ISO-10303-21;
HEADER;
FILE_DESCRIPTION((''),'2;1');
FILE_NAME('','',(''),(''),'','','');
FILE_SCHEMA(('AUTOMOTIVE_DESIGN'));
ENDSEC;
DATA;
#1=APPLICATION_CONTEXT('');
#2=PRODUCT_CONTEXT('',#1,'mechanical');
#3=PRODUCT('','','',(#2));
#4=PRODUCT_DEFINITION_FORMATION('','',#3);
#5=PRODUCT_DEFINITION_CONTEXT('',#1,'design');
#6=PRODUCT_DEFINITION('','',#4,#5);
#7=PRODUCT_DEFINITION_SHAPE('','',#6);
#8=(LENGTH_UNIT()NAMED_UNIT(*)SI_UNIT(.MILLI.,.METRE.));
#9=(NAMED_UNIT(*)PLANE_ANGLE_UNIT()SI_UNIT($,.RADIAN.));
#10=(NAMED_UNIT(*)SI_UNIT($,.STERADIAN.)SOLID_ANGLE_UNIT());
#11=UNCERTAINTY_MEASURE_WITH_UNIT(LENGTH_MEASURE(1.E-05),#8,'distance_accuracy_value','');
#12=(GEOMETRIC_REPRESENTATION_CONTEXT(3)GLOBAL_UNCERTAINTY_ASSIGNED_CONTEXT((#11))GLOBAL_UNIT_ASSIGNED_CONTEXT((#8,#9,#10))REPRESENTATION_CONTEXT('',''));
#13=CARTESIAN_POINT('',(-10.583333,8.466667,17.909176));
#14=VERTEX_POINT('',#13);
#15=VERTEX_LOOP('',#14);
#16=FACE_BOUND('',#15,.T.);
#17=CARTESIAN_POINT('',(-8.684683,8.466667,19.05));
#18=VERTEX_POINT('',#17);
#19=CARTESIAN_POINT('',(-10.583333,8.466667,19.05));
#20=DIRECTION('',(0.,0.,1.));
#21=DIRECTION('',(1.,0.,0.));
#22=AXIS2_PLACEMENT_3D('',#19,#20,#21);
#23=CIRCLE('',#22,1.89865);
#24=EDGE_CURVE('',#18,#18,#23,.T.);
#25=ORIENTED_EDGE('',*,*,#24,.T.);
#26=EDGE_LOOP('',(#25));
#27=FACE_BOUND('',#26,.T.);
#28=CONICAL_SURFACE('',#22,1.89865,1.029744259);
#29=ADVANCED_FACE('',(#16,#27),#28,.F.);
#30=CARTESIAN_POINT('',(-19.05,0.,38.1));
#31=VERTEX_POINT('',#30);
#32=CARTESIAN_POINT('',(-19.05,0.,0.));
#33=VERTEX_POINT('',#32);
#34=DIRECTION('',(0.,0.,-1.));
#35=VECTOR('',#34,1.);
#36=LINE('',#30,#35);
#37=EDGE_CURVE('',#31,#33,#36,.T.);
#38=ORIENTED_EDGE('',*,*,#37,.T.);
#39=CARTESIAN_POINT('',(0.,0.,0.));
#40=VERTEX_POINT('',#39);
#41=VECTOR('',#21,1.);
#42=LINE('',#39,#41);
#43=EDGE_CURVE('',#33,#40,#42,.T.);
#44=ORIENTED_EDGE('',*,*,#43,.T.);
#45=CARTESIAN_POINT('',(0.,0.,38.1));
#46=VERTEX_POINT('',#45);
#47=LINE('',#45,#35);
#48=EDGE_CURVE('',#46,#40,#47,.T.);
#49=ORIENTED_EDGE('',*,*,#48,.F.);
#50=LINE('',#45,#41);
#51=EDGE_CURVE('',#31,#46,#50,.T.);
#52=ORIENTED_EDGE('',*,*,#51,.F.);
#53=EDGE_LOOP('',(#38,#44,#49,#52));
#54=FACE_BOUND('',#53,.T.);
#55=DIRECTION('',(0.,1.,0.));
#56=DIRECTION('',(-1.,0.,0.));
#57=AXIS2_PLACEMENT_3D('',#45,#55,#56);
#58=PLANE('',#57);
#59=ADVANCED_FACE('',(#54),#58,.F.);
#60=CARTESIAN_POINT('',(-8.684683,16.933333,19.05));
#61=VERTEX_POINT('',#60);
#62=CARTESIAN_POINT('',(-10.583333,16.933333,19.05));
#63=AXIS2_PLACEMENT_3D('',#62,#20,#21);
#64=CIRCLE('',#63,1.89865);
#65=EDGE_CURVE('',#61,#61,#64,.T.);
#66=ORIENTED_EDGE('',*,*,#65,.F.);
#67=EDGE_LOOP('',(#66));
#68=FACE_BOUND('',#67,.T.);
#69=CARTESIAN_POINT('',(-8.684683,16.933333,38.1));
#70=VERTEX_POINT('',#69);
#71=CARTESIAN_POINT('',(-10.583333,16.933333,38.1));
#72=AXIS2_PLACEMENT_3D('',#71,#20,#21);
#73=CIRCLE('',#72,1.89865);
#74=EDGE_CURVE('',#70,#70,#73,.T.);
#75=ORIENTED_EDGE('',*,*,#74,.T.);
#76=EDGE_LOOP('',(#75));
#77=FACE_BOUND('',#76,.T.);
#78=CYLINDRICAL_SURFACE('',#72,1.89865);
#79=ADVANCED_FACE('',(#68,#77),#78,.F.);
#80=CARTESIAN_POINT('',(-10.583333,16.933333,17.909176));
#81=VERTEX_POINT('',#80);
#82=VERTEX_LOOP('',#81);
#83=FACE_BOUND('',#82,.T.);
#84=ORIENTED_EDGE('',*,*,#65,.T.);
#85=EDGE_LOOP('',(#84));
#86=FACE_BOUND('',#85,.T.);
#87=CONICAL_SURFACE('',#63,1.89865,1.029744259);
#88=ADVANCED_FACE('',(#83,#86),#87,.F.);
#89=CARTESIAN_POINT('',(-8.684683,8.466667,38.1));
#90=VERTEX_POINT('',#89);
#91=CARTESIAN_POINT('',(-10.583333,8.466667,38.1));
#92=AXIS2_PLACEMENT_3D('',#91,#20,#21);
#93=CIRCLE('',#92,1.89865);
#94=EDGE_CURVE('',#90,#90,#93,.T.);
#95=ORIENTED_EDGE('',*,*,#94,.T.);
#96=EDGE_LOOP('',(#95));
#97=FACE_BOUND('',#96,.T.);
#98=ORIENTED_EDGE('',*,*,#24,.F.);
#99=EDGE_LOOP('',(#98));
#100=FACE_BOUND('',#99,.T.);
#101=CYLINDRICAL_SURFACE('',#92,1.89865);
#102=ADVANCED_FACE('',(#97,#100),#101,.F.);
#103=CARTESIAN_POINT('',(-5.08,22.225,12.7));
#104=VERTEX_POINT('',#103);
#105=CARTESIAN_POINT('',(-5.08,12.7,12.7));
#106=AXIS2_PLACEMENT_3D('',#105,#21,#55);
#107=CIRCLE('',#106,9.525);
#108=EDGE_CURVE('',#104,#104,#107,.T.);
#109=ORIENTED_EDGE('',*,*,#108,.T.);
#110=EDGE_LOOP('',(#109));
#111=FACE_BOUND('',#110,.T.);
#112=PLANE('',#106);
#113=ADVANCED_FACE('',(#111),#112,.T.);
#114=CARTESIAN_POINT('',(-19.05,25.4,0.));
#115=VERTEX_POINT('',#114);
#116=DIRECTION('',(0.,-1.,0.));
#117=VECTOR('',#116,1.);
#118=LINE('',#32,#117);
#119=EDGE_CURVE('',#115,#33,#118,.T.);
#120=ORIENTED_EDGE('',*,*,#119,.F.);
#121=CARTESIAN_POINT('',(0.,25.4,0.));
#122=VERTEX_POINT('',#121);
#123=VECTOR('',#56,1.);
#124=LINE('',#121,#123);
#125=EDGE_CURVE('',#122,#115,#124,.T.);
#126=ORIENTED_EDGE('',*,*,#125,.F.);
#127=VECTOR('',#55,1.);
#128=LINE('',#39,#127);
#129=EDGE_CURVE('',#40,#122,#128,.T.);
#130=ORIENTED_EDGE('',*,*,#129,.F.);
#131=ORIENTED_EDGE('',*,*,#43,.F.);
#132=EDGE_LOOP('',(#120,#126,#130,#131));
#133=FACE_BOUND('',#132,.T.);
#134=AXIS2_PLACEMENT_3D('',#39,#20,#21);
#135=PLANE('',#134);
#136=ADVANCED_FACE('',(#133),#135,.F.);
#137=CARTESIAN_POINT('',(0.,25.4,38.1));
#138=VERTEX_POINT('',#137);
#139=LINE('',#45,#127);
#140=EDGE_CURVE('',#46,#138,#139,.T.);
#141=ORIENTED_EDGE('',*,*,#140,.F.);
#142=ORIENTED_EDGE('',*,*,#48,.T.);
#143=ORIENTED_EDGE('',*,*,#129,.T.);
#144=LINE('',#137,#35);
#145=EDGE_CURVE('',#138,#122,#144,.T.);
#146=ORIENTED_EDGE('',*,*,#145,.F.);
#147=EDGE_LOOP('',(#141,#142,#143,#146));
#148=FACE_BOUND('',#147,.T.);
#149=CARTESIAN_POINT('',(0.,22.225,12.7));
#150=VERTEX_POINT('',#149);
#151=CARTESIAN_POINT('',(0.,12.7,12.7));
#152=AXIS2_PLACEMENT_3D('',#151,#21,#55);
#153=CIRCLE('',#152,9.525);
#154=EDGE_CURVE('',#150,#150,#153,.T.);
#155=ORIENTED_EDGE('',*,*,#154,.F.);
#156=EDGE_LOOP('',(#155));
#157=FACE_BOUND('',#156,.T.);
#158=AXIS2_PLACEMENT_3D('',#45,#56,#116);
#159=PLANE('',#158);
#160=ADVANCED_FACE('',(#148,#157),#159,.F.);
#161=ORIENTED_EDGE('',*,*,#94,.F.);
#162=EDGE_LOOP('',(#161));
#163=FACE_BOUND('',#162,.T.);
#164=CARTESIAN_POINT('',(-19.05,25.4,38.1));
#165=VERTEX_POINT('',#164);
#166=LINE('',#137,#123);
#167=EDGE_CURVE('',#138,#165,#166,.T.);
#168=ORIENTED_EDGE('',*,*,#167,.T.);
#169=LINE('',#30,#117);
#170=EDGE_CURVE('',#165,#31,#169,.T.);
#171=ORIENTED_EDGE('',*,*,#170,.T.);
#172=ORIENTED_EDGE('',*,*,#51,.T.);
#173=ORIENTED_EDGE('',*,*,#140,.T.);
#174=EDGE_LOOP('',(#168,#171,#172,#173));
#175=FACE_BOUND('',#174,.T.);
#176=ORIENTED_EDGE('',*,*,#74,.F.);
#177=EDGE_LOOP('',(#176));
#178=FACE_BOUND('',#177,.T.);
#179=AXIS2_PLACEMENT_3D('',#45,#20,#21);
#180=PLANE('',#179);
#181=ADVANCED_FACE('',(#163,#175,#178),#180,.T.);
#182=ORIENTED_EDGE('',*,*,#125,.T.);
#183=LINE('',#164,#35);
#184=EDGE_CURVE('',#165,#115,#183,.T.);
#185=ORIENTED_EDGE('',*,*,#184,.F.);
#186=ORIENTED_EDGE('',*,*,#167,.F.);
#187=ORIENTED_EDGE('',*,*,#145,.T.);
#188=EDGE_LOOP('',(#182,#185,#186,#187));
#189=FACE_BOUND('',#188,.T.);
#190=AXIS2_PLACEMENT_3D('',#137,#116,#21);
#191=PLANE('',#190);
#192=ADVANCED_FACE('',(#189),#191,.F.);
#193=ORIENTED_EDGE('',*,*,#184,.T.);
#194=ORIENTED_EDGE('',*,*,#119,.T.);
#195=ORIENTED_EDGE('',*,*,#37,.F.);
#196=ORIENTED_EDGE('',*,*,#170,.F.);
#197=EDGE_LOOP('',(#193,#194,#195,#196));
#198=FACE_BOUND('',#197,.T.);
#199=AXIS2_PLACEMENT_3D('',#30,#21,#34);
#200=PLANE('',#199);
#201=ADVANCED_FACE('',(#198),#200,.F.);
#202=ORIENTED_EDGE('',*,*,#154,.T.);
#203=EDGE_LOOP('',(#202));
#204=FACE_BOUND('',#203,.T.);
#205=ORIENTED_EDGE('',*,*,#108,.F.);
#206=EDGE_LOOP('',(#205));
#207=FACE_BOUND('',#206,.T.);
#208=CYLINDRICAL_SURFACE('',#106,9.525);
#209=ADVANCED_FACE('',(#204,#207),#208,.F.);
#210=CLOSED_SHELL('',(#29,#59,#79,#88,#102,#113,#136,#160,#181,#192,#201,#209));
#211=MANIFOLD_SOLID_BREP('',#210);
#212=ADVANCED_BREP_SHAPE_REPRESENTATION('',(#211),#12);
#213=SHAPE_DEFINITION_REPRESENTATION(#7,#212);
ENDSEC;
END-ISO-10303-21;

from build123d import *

# Parameters (mm, degrees)
SKETCH1_W                      = 19.05
SKETCH1_H                      = 25.4
BOSS_EXTRUDE1_DEPTH            = 38.1
TAP_DRILL_FOR_10_24_TAP1_D     = 3.7973
TAP_DRILL_FOR_10_24_TAP1_DEPTH = 19.05
TAP_DRILL_FOR_10_24_TAP1_TIP   = 1.140824014
SKETCH7_R                      = 9.525
CUT_EXTRUDE1_DEPTH             = 5.08


with BuildPart() as part:
    # Sketch1 → Boss-Extrude1 (new body)
    with BuildSketch(Plane.XY):
        with Locations((-9.525, 12.7)):
            Rectangle(SKETCH1_W, SKETCH1_H)
    extrude(amount=BOSS_EXTRUDE1_DEPTH)

    # Tap Drill for #10-24 Tap1
    with Locations(Plane.XY.offset(38.1)):
        with Locations((-10.583333333, 16.933333333), (-10.583333333, 8.466666667)):
            Hole(TAP_DRILL_FOR_10_24_TAP1_D / 2, depth=TAP_DRILL_FOR_10_24_TAP1_DEPTH)
            with Locations((0, 0, -(TAP_DRILL_FOR_10_24_TAP1_DEPTH + TAP_DRILL_FOR_10_24_TAP1_TIP / 2))):  # 118° drill point
                Cone(0, TAP_DRILL_FOR_10_24_TAP1_D / 2, TAP_DRILL_FOR_10_24_TAP1_TIP, mode=Mode.SUBTRACT)

    # Sketch7 → Cut-Extrude1 (cut)
    with BuildSketch(Plane(origin=(0, 0, 0), x_dir=(0, 0, -1), z_dir=(1, 0, 0))):
        with Locations(Location((-12.7, 12.7, 0), (0, 0, 90))):
            Circle(SKETCH7_R)
    extrude(amount=-CUT_EXTRUDE1_DEPTH, mode=Mode.SUBTRACT)


solid = part.part
